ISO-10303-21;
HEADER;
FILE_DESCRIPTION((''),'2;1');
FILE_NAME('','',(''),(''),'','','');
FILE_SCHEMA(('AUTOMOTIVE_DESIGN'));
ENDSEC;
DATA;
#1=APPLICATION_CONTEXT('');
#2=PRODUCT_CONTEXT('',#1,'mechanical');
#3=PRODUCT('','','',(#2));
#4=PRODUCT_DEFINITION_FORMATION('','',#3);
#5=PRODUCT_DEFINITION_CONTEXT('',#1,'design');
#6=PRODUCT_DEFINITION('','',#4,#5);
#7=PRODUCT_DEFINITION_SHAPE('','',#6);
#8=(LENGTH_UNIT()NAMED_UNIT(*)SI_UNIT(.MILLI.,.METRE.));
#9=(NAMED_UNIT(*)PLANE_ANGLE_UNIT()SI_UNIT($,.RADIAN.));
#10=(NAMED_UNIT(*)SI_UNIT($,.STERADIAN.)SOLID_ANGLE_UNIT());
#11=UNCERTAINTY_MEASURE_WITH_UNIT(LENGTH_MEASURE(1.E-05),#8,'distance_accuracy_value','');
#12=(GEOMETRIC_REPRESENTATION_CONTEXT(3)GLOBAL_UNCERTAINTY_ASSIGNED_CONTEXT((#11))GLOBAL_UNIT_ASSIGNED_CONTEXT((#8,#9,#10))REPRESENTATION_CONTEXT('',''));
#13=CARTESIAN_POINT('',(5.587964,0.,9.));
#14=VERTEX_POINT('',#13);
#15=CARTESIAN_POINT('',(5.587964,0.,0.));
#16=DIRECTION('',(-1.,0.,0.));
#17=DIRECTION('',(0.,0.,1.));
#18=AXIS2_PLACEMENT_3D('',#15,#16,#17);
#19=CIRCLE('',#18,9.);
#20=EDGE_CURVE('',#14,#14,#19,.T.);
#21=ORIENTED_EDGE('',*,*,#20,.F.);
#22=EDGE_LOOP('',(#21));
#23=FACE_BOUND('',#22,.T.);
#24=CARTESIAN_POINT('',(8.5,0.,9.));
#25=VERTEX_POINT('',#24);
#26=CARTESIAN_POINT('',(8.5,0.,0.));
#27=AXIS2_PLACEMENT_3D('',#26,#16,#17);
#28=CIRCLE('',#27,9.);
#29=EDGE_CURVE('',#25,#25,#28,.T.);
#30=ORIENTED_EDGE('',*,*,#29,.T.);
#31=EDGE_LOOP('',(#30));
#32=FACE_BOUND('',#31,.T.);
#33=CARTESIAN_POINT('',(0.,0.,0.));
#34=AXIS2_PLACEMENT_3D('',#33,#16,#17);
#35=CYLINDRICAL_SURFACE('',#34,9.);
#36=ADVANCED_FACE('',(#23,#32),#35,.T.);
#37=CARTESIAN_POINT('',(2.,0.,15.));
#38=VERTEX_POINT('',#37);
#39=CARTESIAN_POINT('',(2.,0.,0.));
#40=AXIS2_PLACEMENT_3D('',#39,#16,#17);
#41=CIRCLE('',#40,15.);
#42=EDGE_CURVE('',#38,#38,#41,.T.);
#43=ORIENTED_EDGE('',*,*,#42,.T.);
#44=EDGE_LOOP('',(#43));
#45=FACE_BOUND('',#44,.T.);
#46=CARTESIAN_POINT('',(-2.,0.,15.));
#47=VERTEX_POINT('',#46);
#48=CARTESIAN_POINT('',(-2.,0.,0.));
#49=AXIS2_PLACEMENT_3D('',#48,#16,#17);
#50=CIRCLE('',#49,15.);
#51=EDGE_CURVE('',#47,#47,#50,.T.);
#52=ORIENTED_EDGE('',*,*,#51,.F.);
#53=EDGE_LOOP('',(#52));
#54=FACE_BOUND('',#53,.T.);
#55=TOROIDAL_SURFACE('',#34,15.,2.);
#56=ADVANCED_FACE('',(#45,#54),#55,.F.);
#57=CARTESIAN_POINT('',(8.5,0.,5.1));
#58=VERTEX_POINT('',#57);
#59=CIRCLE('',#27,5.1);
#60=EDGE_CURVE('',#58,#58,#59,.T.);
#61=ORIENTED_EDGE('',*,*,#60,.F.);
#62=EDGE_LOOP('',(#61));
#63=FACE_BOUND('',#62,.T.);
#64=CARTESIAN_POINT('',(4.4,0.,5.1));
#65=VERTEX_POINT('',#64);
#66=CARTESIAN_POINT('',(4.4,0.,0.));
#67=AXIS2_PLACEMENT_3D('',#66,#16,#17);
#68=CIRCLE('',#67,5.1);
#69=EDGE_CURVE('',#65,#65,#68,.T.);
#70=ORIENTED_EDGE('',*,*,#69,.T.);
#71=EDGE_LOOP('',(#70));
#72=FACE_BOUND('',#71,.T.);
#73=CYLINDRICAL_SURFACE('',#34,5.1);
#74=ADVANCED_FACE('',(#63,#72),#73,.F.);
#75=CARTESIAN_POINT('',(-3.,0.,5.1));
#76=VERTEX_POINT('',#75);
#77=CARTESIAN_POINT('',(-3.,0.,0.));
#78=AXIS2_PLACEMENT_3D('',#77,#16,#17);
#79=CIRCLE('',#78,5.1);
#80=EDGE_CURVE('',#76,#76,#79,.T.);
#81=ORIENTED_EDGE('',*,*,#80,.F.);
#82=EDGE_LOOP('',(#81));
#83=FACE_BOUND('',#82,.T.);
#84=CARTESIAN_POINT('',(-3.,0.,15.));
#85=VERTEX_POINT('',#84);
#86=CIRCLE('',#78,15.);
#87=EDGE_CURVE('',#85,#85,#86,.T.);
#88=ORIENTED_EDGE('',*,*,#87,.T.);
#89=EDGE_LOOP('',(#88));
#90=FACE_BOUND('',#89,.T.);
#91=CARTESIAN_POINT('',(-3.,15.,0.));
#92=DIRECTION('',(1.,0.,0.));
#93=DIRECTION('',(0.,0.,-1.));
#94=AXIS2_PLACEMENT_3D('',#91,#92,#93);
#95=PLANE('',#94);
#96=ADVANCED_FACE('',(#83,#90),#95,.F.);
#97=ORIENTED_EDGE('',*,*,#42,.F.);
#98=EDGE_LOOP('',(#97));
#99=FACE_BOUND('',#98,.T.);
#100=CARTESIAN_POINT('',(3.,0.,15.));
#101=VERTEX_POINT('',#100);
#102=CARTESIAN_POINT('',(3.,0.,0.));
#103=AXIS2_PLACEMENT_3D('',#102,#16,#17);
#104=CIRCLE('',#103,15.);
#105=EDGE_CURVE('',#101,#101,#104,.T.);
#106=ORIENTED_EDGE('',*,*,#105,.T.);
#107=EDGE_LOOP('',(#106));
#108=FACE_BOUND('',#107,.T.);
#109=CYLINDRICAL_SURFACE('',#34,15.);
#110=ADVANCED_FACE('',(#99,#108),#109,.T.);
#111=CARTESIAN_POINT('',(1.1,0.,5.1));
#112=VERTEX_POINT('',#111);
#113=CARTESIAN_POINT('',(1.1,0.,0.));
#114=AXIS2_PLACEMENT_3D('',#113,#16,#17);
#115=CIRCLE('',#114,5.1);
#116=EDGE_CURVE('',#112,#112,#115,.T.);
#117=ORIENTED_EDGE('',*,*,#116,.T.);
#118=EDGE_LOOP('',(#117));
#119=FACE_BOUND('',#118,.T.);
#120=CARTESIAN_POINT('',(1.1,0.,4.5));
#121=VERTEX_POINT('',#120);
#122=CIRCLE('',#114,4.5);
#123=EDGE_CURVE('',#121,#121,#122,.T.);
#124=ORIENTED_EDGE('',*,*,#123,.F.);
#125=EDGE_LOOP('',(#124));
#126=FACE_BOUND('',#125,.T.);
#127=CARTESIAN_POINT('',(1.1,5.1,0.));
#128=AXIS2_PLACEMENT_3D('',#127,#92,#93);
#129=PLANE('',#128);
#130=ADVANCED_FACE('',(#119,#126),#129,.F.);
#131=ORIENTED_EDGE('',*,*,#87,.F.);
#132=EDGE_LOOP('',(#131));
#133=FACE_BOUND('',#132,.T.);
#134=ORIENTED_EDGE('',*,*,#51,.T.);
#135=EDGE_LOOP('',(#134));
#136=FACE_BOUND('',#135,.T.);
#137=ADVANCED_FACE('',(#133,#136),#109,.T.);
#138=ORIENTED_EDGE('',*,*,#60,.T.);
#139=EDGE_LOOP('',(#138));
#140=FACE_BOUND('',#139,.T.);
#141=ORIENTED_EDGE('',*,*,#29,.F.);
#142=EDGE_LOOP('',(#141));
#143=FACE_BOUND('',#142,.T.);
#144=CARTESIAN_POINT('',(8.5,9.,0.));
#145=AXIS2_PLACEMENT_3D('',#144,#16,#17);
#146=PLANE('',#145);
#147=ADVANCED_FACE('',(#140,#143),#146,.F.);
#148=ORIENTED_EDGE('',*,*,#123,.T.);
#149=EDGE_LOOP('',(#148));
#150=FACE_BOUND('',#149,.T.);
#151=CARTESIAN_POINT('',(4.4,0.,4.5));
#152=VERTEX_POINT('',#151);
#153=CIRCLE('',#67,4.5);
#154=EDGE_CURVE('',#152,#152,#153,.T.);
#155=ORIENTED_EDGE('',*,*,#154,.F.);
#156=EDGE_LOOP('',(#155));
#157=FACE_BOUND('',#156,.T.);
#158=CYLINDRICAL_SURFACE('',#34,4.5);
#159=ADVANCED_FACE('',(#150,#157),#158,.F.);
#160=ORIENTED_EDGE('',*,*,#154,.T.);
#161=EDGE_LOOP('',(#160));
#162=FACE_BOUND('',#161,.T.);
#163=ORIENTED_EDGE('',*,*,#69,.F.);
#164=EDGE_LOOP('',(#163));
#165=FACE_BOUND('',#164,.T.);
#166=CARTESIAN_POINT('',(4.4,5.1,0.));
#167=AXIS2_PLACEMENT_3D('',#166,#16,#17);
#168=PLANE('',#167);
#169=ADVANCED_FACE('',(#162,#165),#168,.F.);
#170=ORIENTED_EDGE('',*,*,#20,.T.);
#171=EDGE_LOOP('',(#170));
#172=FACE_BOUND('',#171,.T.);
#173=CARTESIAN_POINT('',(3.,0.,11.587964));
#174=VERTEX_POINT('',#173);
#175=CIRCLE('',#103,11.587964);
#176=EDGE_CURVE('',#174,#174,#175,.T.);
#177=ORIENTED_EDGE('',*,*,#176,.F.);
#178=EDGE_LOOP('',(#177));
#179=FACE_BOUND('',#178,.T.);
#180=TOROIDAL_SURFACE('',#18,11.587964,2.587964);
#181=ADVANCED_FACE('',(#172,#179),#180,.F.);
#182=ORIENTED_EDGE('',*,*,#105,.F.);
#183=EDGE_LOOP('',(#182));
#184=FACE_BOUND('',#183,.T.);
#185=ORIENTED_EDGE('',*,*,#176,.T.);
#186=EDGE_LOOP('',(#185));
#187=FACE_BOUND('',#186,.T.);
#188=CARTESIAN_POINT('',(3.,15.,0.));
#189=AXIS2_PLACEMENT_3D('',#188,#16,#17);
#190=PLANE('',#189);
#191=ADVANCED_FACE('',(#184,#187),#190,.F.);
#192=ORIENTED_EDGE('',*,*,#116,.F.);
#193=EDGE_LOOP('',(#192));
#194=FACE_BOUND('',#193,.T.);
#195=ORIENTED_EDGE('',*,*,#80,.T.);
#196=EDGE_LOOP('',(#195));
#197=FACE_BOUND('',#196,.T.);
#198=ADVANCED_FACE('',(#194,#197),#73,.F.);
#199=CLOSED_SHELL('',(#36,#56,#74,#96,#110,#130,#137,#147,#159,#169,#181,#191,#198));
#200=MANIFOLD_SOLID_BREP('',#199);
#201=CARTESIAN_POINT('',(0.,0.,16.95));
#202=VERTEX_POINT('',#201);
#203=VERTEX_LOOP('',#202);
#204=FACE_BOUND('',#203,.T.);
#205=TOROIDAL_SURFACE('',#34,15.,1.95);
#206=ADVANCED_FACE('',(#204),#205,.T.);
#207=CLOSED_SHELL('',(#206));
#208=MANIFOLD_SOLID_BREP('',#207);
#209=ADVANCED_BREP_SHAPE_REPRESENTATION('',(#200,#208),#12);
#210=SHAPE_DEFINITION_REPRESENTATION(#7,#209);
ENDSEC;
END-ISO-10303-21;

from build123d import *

# Parameters (mm, degrees)
SKETCH_1_R = 1.95


with BuildPart() as part:
    # 草图1 → 旋转1 (revolve)
    with BuildSketch(Plane.XY):
        with Locations((0, 15)):
            Circle(SKETCH_1_R)
        with BuildLine():
            Line((2, 15), (3, 15))
            Line((3, 15), (3, 11.587964483))
            ThreePointArc((3, 11.587964483), (3.757997248, 9.757997248), (5.587964483, 9))
            Line((5.587964483, 9), (8.5, 9))
            Line((8.5, 9), (8.5, 5.1))
            Line((8.5, 5.1), (4.4, 5.1))
            Line((4.4, 5.1), (4.4, 4.5))
            Line((4.4, 4.5), (1.1, 4.5))
            Line((1.1, 4.5), (1.1, 5.1))
            Line((1.1, 5.1), (-3, 5.1))
            Line((-3, 5.1), (-3, 15))
            Line((-3, 15), (-2, 15))
            ThreePointArc((-2, 15), (0, 13), (2, 15))
        make_face()
    revolve(axis=Axis((0, 0, 0), (1, 0, 0)))


solid = part.part
